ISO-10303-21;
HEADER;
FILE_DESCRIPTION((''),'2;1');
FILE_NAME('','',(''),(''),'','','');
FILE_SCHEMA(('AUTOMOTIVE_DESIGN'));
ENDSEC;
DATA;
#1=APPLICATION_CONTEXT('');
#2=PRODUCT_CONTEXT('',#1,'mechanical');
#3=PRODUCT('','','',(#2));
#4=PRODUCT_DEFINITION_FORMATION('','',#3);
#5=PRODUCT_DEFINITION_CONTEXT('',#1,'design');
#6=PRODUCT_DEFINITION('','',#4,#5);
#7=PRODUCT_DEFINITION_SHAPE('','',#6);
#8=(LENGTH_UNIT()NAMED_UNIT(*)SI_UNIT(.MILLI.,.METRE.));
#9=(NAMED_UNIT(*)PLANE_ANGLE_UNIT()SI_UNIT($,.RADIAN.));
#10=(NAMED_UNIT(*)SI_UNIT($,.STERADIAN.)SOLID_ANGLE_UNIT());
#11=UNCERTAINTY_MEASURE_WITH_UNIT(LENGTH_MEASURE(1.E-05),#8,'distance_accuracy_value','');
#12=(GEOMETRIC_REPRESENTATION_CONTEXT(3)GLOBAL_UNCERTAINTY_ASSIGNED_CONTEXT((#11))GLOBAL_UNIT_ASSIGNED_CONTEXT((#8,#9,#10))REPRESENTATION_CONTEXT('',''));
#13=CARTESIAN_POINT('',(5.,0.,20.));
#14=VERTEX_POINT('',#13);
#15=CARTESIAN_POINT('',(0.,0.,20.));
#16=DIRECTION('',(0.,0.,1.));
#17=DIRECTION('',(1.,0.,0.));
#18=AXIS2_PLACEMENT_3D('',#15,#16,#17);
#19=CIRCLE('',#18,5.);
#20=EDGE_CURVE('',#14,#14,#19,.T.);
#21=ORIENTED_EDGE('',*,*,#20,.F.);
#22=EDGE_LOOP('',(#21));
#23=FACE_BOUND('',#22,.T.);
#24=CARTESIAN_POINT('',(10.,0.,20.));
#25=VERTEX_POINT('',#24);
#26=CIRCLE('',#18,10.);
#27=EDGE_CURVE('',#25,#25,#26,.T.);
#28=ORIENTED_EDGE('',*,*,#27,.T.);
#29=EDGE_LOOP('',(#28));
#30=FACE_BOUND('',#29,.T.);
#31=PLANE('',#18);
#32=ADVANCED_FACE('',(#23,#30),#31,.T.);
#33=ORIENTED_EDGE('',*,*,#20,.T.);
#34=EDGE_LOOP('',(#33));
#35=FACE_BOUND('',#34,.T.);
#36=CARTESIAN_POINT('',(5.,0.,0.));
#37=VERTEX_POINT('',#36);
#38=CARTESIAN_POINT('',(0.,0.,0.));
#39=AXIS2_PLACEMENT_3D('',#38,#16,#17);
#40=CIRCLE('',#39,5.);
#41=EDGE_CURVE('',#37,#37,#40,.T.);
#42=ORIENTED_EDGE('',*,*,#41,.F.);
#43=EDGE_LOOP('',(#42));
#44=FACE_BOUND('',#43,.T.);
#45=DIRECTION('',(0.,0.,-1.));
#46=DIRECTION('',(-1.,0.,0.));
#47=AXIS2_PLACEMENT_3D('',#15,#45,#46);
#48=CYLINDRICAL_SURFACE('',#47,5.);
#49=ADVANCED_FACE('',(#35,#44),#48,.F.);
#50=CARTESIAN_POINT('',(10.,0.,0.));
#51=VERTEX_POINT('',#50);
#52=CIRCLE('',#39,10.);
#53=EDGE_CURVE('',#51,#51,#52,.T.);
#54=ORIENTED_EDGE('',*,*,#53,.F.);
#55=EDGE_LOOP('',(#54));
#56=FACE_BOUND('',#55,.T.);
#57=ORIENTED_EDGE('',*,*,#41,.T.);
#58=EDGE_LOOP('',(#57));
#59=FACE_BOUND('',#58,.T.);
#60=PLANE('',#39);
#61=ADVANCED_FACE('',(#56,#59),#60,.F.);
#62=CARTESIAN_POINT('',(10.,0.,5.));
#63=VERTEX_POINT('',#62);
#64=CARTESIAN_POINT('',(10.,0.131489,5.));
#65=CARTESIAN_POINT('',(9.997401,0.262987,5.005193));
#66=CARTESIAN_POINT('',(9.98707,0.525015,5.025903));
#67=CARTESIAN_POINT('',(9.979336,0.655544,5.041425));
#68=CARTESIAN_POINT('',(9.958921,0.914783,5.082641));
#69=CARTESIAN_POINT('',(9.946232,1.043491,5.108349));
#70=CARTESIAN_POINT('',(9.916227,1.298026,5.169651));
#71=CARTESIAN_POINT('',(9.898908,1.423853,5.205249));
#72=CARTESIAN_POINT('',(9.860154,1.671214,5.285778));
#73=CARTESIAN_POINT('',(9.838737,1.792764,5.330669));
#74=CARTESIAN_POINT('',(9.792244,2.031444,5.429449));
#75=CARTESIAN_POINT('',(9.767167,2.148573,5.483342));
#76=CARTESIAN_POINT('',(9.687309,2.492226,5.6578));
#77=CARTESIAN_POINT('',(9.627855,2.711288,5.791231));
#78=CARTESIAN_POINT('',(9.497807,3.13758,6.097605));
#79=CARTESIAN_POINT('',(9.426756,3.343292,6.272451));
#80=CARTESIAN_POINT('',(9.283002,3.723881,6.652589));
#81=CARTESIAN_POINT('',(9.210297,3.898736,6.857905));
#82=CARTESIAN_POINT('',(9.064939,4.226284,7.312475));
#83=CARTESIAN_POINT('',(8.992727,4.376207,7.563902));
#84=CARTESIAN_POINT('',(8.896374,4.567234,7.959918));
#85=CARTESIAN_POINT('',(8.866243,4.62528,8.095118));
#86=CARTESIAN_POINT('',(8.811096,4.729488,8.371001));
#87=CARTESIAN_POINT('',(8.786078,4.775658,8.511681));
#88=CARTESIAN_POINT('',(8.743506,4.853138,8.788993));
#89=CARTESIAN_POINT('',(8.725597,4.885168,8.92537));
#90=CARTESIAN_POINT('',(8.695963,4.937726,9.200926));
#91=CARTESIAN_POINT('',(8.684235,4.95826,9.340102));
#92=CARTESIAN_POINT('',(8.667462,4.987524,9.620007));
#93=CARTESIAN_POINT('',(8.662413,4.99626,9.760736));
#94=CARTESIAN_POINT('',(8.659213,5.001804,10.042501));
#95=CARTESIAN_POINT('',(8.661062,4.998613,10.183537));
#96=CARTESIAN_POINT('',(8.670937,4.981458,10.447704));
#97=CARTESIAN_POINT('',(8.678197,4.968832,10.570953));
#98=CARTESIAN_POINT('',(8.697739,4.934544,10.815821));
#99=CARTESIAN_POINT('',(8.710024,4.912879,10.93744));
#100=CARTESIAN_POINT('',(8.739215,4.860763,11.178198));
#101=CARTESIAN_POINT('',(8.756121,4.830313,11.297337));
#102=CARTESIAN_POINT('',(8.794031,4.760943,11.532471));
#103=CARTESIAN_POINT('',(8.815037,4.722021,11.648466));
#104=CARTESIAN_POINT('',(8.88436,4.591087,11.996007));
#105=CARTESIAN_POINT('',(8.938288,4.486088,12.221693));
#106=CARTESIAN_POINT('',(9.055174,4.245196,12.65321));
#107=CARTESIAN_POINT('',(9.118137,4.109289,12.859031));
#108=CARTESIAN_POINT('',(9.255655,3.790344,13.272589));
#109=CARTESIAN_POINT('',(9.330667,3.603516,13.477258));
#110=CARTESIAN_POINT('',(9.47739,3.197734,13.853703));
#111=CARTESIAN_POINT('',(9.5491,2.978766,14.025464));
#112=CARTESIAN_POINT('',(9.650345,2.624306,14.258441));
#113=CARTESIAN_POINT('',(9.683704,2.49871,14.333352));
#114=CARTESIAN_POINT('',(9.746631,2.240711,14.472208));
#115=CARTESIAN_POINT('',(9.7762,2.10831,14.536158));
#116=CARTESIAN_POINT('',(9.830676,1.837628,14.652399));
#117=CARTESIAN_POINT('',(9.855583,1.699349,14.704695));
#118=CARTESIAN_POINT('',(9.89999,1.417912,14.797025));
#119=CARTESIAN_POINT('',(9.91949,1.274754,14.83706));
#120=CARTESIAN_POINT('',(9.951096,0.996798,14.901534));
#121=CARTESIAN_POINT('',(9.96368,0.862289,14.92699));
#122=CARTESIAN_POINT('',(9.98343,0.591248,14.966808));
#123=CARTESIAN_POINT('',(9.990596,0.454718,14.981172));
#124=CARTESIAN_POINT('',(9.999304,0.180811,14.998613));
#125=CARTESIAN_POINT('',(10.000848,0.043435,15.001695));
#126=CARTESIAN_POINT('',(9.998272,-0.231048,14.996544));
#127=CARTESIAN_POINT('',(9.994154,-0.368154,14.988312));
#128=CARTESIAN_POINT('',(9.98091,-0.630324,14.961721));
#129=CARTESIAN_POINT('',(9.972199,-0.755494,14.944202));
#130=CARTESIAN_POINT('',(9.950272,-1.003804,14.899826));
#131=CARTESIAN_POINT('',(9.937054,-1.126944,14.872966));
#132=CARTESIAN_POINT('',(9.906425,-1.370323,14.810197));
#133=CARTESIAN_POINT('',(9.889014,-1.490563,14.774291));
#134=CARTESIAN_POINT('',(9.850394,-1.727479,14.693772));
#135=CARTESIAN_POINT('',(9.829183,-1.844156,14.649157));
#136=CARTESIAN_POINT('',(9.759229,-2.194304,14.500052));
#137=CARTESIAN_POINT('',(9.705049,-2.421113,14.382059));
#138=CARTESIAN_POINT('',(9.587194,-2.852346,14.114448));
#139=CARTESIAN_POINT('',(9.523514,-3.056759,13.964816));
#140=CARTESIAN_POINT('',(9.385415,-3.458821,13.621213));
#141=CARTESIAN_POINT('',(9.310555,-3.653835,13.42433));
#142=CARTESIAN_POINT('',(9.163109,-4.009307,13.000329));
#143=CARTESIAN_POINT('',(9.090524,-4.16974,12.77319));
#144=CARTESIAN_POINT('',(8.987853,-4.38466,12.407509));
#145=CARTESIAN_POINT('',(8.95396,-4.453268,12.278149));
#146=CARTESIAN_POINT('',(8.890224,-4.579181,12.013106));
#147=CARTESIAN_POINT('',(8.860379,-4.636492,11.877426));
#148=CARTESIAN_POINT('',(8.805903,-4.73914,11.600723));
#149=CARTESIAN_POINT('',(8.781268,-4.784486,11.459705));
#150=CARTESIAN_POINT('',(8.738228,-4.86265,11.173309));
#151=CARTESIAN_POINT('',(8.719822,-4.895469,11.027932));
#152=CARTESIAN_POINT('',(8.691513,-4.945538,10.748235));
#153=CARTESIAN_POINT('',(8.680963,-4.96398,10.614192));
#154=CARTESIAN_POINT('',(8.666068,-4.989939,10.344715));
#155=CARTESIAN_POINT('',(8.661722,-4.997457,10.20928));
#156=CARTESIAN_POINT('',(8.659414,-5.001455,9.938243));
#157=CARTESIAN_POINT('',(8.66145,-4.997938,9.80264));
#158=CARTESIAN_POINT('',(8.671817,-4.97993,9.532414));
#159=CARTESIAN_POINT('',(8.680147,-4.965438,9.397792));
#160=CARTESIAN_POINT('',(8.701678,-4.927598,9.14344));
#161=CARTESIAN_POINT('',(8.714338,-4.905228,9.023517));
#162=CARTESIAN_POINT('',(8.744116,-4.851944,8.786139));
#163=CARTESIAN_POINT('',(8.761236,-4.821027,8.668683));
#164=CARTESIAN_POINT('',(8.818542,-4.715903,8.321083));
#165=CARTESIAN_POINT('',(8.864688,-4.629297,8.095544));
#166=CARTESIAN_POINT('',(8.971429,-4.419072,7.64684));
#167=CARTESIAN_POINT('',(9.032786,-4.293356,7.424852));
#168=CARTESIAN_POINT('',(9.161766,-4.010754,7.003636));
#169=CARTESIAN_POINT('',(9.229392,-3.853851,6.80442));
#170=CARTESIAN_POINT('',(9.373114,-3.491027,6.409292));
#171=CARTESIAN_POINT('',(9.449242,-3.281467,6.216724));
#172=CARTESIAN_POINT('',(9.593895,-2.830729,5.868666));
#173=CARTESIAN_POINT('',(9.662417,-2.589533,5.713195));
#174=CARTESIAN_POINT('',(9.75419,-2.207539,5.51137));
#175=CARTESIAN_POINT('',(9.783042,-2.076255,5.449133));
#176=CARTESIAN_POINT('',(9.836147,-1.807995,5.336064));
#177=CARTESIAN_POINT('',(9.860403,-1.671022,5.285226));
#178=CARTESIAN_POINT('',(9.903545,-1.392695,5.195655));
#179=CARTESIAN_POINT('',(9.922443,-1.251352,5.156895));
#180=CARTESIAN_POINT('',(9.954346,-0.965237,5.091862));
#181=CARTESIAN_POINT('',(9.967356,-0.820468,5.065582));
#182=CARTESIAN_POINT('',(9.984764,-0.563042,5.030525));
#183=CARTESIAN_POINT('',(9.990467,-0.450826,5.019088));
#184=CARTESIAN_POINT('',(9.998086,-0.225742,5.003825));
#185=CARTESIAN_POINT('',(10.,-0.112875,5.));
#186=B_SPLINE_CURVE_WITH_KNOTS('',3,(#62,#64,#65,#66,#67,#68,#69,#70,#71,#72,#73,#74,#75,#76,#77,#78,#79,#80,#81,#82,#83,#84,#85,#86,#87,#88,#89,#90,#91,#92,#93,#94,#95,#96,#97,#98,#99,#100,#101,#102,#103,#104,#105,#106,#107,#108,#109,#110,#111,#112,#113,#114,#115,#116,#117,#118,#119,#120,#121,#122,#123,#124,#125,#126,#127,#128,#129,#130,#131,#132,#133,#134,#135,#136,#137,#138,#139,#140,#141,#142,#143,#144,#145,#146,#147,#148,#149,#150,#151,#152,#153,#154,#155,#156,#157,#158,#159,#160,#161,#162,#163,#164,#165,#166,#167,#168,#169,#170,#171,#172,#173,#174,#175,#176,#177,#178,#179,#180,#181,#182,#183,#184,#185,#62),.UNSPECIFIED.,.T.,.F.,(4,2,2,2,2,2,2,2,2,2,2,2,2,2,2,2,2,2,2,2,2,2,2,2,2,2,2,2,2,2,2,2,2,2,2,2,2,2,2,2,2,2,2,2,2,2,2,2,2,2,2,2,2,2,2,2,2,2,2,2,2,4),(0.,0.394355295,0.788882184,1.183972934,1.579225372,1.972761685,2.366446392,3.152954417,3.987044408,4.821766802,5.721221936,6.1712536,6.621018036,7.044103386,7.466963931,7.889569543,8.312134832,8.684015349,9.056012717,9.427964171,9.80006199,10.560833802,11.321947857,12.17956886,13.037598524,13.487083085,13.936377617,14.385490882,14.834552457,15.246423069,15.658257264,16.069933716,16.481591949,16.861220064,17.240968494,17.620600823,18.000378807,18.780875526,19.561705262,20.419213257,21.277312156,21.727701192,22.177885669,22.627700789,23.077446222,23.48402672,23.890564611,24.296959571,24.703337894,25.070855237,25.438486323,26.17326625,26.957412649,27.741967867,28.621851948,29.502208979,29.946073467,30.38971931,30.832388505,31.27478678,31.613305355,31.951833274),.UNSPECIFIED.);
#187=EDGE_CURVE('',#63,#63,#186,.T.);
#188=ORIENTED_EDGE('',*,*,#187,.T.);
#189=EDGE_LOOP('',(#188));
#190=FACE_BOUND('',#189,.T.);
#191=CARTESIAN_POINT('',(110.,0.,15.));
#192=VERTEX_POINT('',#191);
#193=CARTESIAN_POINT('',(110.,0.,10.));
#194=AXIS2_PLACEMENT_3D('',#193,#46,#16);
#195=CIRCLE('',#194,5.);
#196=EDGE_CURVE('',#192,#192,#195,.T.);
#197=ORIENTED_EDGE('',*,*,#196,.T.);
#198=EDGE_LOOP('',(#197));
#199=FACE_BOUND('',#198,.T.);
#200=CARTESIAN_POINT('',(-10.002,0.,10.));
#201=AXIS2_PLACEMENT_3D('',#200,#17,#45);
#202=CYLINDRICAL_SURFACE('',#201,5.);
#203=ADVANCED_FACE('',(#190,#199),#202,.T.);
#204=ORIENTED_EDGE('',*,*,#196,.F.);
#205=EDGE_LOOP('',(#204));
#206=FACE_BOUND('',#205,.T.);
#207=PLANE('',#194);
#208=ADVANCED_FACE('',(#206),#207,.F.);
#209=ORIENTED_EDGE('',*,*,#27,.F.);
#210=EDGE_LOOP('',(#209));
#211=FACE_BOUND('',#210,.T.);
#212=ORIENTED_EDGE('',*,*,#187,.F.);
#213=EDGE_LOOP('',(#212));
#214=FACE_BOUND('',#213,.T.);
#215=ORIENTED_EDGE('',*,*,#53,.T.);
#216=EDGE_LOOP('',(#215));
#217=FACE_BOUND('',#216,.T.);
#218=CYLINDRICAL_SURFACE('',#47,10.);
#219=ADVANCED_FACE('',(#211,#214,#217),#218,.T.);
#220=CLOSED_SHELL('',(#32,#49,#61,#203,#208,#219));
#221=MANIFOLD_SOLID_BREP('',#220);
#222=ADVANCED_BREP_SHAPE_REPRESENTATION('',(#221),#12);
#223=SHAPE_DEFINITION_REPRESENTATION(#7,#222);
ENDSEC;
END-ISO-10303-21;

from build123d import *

# Parameters (mm, degrees)
SCHIZZO1_R                        = 10
SCHIZZO1_R_2                      = 5
ESTRUSIONE_ESTRUSIONE1_DEPTH      = 20
ESTRUSIONE_ESTRUSIONE2_REACH      = 124.066
ESTRUSIONE_ESTRUSIONE2_END_RADIUS = 10
SCHIZZO2_R                        = 5


with BuildPart() as part:
    # Schizzo1 → Estrusione-Estrusione1 (new body)
    with BuildSketch(Plane.XY):
        Circle(SCHIZZO1_R)
        Circle(SCHIZZO1_R_2, mode=Mode.SUBTRACT)
    extrude(amount=ESTRUSIONE_ESTRUSIONE1_DEPTH)

    # Estrusione-Estrusione2: up to this cylinder (the profile starts outside it)
    estrusione_estrusione2_end = Plane(origin=(0, 0, 10), z_dir=(0, 0, -1)) * Cylinder(ESTRUSIONE_ESTRUSIONE2_END_RADIUS, 269.132, mode=Mode.PRIVATE)
    # Schizzo2 → Estrusione-Estrusione2 (add, up to the surface)
    with BuildSketch(Plane.ZY.offset(-110), mode=Mode.PRIVATE) as estrusione_estrusione2_sk1:
        with Locations((10, 0)):
            Circle(SCHIZZO2_R)
    estrusione_estrusione2_tool1 = extrude(estrusione_estrusione2_sk1.sketch, amount=ESTRUSIONE_ESTRUSIONE2_REACH, mode=Mode.PRIVATE) - estrusione_estrusione2_end
    add(estrusione_estrusione2_tool1.solids().sort_by_distance((110, 0, 10))[0])


solid = part.part
